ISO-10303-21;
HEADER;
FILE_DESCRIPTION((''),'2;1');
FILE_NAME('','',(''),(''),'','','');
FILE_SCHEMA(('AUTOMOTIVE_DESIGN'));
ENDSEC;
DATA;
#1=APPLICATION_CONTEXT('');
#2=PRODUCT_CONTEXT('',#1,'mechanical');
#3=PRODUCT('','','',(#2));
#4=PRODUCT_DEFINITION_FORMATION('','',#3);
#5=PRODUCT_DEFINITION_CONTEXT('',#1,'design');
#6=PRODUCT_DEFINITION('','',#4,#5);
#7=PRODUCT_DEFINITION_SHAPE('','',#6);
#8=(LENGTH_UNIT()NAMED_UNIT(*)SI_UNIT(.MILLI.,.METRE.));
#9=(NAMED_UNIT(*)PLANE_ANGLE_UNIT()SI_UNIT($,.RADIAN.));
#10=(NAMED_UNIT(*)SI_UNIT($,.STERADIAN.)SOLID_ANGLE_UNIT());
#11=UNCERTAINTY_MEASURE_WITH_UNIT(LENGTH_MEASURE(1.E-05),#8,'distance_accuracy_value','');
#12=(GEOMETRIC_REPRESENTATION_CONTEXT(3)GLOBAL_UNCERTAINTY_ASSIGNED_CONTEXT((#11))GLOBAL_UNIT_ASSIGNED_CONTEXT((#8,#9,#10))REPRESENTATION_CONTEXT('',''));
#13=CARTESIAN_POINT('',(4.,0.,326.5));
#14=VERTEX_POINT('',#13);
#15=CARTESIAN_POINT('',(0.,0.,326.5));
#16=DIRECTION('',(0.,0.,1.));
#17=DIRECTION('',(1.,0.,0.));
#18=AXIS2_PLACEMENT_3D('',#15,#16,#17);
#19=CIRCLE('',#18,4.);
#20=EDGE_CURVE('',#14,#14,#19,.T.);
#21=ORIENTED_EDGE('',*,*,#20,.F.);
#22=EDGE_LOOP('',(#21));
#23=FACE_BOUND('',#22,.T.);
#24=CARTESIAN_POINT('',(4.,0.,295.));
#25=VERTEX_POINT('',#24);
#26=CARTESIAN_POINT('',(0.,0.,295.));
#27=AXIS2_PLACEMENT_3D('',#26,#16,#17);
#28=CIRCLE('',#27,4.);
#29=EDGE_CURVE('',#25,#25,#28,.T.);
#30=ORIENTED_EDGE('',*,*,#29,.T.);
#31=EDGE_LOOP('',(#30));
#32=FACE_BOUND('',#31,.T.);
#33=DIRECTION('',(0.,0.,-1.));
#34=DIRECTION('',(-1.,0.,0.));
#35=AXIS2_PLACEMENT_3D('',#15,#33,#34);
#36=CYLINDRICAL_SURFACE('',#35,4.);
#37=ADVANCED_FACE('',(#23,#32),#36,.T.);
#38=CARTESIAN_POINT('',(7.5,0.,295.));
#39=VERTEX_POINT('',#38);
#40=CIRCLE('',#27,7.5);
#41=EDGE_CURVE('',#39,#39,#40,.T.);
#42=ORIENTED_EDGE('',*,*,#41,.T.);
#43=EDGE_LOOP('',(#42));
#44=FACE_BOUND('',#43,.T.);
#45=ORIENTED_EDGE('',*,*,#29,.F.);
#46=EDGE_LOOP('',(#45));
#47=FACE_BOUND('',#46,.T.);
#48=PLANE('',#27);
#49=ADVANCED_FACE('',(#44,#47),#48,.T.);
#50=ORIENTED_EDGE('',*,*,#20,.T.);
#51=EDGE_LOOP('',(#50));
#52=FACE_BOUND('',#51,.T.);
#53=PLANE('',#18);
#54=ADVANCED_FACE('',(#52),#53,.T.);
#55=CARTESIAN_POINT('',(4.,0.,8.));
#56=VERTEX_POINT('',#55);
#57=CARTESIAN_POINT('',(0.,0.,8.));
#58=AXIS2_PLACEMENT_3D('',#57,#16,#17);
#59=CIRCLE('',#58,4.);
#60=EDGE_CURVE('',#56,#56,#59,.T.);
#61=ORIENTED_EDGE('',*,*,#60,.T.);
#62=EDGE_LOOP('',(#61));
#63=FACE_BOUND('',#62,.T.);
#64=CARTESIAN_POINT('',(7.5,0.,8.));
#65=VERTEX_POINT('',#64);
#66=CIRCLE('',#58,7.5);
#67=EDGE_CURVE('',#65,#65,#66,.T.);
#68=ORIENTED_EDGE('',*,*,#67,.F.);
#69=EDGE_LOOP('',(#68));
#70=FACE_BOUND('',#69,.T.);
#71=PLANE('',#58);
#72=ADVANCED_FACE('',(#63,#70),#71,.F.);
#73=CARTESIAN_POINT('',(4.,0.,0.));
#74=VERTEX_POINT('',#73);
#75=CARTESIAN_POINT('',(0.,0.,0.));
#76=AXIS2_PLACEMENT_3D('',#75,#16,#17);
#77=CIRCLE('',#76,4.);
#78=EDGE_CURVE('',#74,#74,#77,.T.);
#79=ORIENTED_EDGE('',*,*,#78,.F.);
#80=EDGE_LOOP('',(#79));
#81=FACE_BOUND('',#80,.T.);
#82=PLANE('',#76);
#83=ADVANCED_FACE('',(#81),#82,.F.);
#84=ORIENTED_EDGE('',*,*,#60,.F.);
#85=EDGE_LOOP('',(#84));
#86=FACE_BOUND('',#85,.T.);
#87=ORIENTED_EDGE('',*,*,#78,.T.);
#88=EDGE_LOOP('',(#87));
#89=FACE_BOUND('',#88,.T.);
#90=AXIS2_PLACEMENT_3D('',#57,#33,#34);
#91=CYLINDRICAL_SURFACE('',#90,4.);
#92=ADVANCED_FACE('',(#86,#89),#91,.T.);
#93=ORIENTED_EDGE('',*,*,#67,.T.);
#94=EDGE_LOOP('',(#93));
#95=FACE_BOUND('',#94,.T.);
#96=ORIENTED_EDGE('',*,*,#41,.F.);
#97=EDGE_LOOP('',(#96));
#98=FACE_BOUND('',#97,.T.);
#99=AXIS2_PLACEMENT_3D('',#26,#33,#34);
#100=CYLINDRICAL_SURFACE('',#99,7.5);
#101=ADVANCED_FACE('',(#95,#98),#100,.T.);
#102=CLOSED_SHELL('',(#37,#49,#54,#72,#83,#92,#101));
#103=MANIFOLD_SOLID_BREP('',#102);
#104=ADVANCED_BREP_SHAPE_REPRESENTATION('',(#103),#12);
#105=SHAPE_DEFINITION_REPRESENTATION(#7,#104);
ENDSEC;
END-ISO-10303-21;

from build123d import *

# Parameters (mm, degrees)
SKETCH_1_R      = 4
EXTRUDE_1_DEPTH = 8
SKETCH_2_R      = 7.5
EXTRUDE_2_DEPTH = 287
SKETCH_3_R      = 4
EXTRUDE_3_DEPTH = 31.5


with BuildPart() as part:
    # 草图1 → 凸台-拉伸1 (new body)
    with BuildSketch(Plane.XY):
        Circle(SKETCH_1_R)
    extrude(amount=EXTRUDE_1_DEPTH)

    # 草图2 → 凸台-拉伸2 (add)
    with BuildSketch(Plane.XY.offset(8)):
        Circle(SKETCH_2_R)
    extrude(amount=EXTRUDE_2_DEPTH)

    # 草图3 → 凸台-拉伸3 (add)
    with BuildSketch(Plane.XY.offset(295)):
        Circle(SKETCH_3_R)
    extrude(amount=EXTRUDE_3_DEPTH)


solid = part.part
